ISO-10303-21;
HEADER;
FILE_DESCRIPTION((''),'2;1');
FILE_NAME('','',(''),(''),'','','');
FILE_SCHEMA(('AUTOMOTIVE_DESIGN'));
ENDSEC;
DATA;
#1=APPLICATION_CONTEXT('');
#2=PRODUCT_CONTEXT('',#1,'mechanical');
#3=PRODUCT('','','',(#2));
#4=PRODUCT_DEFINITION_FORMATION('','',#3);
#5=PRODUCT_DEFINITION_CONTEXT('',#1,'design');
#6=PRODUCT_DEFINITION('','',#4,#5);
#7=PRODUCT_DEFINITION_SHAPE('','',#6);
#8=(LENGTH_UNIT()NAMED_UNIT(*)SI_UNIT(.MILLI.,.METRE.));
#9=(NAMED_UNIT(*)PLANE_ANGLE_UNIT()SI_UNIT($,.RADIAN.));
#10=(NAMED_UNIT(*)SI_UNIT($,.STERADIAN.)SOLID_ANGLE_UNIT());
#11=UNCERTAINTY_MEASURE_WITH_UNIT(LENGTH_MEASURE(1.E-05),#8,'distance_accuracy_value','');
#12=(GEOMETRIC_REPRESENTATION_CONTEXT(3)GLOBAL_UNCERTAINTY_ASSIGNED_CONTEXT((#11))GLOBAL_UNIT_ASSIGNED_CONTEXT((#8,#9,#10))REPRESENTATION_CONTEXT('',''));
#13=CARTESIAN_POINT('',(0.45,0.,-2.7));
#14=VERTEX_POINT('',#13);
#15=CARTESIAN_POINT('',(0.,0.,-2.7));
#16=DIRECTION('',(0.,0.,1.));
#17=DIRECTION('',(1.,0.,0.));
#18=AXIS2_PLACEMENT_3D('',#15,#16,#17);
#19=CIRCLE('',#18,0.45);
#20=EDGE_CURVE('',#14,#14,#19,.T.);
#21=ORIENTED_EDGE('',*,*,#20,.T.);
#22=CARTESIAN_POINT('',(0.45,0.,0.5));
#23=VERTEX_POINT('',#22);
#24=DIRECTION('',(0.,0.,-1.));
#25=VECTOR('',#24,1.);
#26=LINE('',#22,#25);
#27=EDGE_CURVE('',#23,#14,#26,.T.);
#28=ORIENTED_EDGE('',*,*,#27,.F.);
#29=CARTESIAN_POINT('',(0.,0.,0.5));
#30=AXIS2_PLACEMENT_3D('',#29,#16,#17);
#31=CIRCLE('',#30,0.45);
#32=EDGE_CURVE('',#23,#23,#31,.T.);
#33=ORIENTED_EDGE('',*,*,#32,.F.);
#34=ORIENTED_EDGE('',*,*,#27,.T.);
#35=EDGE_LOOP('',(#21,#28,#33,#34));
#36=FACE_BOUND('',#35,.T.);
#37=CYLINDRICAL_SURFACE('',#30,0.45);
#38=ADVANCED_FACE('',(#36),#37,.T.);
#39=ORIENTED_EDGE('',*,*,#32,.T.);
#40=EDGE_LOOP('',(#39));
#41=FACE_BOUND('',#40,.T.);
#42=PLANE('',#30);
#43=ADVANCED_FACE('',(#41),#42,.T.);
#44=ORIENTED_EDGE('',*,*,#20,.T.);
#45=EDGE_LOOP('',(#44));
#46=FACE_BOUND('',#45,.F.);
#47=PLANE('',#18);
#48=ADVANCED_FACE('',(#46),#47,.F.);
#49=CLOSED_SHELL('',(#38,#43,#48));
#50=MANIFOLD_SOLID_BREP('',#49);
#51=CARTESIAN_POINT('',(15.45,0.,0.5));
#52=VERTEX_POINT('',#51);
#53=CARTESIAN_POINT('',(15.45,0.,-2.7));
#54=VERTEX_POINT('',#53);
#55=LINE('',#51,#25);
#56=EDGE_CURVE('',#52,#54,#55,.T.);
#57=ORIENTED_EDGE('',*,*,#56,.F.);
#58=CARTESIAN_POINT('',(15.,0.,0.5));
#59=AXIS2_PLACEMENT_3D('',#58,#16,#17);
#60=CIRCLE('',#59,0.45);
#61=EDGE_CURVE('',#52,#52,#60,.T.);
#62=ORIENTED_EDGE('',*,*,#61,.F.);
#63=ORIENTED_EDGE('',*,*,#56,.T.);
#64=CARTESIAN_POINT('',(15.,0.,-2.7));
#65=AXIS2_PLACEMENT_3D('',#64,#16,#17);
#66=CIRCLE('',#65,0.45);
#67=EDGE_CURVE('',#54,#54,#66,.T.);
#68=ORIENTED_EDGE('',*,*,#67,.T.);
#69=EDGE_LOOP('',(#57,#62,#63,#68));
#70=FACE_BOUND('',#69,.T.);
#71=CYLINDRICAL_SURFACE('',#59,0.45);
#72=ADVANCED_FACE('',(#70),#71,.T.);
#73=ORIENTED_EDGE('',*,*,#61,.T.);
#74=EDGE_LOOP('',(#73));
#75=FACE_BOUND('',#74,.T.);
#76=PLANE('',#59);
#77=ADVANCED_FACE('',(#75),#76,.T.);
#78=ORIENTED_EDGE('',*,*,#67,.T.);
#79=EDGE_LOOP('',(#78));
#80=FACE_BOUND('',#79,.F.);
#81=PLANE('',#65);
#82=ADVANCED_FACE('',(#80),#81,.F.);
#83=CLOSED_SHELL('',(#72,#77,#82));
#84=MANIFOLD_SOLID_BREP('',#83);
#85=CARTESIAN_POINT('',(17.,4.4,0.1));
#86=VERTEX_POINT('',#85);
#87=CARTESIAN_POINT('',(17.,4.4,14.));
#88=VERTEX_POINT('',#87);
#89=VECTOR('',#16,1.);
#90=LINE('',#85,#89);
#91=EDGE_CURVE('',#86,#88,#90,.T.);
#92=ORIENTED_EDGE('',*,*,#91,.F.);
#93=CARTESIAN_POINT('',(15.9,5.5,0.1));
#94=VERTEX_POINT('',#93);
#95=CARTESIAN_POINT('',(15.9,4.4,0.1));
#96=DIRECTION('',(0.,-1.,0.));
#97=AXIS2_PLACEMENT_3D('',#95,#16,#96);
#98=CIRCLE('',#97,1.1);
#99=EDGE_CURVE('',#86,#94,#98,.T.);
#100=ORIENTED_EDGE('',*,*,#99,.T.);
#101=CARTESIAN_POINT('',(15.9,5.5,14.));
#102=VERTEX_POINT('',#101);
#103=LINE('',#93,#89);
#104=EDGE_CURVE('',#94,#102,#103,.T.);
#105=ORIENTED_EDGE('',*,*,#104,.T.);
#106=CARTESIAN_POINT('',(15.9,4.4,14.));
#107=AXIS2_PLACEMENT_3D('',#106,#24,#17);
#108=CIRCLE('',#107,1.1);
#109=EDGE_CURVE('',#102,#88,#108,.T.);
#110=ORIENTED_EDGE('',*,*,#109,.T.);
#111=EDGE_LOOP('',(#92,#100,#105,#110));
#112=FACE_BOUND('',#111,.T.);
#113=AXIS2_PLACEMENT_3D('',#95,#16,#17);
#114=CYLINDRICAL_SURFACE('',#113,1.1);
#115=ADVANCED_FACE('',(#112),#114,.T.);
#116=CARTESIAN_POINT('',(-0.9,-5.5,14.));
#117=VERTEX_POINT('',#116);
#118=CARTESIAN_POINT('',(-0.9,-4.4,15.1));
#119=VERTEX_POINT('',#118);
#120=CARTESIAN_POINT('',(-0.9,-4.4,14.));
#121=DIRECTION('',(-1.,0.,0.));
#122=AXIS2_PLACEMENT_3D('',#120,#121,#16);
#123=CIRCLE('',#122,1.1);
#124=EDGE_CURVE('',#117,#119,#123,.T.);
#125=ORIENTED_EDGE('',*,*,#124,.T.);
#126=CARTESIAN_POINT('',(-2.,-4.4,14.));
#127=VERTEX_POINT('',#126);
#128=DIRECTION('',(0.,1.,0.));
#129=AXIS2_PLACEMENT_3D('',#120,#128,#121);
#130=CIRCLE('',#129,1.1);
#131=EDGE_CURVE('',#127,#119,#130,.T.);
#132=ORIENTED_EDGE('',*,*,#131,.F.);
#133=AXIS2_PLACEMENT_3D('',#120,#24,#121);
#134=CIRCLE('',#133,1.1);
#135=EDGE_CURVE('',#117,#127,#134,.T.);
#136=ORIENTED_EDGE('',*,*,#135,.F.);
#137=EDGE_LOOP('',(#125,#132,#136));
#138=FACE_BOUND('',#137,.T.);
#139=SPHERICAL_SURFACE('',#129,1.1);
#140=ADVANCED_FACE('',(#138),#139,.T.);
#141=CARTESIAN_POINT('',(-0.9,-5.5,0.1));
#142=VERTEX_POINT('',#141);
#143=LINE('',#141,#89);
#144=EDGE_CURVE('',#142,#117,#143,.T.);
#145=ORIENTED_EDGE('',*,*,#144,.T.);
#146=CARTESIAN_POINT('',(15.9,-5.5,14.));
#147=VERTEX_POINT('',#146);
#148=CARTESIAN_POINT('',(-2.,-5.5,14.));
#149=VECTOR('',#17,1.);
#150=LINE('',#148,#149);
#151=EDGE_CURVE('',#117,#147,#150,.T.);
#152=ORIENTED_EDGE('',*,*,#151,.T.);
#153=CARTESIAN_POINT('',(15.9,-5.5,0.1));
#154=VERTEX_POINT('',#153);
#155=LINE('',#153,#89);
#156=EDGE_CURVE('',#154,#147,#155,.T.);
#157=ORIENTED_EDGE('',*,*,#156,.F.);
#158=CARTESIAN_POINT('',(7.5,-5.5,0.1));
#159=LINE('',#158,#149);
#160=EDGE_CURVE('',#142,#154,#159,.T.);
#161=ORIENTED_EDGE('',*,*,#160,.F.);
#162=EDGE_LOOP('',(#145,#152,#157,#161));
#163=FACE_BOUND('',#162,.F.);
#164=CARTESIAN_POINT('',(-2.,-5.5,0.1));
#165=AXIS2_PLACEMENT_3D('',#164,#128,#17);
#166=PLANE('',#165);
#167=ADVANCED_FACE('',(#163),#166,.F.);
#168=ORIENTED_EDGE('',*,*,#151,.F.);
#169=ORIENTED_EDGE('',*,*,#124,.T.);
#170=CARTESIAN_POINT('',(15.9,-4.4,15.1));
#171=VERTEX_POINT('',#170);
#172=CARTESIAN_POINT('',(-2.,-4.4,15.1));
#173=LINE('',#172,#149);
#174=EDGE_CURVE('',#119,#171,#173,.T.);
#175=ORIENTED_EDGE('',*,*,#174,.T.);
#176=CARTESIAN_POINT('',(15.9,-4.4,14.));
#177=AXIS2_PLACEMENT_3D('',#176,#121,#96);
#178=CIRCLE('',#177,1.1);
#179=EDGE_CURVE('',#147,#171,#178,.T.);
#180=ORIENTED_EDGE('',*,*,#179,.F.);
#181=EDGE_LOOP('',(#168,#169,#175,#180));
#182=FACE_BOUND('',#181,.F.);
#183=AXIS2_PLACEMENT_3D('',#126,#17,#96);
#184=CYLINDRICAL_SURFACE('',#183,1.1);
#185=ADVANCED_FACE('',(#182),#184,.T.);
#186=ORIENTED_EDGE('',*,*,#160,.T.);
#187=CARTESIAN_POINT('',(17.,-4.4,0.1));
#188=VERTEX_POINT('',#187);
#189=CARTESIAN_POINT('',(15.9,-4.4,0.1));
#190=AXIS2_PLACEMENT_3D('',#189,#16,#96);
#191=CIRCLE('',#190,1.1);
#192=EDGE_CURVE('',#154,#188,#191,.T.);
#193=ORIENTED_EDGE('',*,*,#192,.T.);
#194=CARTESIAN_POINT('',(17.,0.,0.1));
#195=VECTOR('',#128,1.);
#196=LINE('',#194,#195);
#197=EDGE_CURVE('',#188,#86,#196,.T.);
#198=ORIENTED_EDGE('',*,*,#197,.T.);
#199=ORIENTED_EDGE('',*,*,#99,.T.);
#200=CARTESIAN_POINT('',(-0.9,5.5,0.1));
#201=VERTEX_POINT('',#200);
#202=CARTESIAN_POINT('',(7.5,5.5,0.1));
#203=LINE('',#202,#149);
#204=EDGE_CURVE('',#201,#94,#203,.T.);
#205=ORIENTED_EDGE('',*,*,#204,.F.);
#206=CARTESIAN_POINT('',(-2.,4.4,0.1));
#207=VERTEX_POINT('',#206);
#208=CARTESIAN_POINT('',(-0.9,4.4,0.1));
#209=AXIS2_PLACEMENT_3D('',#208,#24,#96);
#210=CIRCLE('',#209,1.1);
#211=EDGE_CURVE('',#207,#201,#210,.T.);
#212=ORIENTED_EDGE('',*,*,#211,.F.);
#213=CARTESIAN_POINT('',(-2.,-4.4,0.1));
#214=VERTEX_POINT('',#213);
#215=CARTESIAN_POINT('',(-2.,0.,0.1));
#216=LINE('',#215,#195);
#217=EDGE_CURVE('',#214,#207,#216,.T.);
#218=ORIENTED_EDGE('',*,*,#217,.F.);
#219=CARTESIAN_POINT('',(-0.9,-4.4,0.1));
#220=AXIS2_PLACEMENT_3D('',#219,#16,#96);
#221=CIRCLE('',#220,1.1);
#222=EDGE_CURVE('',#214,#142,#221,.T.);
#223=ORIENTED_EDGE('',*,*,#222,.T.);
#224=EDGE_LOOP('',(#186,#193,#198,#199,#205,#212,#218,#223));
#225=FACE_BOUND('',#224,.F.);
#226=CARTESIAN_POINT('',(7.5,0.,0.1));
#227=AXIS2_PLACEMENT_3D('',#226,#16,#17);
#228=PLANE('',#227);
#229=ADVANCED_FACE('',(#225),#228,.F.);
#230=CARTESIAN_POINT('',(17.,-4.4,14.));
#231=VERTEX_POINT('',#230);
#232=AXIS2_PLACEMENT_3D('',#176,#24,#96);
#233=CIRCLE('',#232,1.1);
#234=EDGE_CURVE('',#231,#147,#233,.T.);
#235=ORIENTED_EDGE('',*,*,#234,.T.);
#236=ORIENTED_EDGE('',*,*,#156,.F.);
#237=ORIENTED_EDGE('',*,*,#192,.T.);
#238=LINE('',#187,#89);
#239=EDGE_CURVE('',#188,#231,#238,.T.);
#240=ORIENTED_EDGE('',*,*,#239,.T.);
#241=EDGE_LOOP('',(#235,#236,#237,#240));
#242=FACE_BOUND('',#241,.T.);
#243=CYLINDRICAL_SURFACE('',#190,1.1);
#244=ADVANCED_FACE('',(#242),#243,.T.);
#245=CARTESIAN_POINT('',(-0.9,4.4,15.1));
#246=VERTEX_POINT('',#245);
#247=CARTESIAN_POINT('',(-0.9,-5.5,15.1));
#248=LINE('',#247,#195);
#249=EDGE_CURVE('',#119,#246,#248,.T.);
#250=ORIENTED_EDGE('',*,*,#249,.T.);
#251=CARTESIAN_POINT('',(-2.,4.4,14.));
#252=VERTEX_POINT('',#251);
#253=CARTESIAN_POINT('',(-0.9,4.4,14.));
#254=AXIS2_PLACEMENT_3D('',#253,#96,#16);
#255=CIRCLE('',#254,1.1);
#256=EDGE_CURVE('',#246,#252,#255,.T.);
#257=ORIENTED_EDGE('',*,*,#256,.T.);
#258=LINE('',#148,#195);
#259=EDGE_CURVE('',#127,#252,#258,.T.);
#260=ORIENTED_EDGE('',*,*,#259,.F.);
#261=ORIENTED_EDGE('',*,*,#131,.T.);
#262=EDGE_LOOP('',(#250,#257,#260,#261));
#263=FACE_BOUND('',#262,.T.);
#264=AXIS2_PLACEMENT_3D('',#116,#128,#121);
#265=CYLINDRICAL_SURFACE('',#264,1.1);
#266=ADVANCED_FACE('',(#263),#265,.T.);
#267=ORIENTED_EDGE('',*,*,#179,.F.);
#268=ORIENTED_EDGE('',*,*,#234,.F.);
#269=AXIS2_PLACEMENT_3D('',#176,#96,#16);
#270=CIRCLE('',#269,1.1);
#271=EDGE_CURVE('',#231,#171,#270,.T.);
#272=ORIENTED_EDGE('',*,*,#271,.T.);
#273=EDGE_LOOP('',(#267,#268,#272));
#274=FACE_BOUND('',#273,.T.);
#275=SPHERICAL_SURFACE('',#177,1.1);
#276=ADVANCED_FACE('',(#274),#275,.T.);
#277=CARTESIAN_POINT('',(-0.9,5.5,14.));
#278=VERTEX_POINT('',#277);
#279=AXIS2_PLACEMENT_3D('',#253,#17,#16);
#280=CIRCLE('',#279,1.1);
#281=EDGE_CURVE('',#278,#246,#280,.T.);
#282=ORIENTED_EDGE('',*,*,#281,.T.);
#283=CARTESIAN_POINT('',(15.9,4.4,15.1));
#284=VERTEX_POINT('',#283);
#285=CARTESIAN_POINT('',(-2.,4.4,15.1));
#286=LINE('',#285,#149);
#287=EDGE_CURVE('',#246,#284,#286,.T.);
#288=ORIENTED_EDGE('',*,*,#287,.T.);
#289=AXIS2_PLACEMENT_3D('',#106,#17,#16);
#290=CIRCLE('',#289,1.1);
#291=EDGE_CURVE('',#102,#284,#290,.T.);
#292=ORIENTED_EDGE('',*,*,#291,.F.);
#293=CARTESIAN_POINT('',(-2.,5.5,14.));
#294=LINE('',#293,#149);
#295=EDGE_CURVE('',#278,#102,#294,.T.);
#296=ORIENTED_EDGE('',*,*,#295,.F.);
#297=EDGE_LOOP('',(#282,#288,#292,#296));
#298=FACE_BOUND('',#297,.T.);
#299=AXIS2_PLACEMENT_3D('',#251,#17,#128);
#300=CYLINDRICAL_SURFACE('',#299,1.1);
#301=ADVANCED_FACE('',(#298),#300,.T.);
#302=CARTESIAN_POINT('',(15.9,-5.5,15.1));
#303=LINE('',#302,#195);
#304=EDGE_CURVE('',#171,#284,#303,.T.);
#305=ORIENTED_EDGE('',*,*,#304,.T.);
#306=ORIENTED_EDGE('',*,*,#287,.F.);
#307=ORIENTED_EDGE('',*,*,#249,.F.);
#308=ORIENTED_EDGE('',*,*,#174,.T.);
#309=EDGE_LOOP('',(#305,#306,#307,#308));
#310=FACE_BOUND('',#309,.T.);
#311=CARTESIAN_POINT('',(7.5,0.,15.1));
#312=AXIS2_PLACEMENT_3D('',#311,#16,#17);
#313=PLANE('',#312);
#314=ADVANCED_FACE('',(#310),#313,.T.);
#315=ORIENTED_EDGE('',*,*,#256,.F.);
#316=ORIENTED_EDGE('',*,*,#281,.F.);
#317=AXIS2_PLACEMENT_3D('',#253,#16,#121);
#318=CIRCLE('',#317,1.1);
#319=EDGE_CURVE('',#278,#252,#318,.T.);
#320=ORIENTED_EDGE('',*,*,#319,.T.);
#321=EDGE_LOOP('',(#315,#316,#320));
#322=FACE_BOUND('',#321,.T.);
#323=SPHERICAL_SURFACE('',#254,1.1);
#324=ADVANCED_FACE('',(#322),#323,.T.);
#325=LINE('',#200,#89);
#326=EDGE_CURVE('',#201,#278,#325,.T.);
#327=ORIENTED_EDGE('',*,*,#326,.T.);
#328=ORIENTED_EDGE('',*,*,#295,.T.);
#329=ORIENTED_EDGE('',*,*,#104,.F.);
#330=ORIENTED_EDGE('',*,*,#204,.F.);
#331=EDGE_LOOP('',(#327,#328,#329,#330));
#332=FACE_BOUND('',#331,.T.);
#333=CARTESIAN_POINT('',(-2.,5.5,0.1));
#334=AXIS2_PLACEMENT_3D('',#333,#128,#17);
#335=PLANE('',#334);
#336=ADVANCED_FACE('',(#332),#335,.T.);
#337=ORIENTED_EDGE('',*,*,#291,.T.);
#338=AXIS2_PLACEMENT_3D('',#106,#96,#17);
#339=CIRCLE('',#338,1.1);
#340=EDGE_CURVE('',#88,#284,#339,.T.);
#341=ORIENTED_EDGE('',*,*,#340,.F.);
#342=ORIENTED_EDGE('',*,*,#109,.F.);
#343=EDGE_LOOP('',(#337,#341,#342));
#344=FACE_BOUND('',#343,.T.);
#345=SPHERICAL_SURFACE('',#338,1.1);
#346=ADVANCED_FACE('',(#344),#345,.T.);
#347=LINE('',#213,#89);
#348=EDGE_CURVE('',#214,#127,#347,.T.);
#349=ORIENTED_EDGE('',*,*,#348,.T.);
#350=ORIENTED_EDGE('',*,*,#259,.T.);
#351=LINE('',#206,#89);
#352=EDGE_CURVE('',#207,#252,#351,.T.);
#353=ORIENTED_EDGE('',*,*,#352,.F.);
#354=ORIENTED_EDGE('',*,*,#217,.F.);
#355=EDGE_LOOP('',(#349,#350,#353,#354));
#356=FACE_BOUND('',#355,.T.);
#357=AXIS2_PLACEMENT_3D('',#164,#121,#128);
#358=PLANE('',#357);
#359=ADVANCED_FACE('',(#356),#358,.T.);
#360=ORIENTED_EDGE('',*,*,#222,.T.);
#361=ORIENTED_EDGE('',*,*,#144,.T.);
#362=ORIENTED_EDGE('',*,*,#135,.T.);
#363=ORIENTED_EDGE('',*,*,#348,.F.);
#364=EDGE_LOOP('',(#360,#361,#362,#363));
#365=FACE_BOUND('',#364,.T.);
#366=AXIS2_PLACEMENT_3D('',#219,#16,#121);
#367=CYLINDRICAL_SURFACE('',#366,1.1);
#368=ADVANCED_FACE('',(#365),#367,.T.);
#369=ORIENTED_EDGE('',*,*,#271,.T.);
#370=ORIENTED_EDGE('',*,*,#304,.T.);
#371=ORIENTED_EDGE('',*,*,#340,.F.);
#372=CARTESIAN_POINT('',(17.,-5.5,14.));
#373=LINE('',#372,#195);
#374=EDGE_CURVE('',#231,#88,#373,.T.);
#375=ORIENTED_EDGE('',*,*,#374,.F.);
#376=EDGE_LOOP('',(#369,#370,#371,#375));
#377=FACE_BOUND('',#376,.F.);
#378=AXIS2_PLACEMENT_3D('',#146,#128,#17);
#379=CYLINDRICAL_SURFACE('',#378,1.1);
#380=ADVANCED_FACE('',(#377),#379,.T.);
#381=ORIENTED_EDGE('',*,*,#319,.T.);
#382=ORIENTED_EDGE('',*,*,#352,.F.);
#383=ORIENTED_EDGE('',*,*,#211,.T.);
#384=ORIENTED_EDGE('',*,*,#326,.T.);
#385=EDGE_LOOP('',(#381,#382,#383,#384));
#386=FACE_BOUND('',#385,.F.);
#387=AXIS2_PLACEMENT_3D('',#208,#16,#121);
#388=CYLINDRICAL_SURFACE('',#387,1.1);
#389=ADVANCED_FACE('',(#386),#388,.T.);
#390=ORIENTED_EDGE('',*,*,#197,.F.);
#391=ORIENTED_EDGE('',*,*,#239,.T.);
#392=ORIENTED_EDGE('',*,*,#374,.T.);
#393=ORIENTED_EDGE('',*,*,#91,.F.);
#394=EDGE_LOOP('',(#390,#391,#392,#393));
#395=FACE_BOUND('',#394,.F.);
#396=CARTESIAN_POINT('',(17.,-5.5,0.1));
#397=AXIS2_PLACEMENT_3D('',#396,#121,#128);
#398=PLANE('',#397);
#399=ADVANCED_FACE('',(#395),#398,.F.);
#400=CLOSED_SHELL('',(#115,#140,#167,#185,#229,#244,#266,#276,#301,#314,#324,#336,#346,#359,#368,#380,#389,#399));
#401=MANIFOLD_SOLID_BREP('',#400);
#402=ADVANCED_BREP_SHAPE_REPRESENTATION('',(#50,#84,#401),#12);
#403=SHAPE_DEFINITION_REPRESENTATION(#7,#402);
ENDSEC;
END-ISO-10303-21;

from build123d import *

# Parameters (mm, degrees)
SKETCH_W     = 19
SKETCH_H     = 11
PAD_DEPTH    = 15
FILLET_R     = 1.1
SKETCH001_R  = 0.45
PAD001_DEPTH = 3.2


with BuildPart() as fillet_body:
    # Sketch → Pad (new body)
    with BuildSketch(Plane.XY.offset(0.1)):
        with Locations((7.5, 0)):
            Rectangle(SKETCH_W, SKETCH_H)
    extrude(amount=PAD_DEPTH)

    # Fillet
    fillet_edges = [fillet_body.edges().sort_by_distance(p)[0] for p in [
        (-2, 0, 15.1),
        (-2, -5.5, 7.6),
        (7.5, -5.5, 15.1),
        (17, -5.5, 7.6),
        (17, 0, 15.1),
        (17, 5.5, 7.6),
        (7.5, 5.5, 15.1),
        (-2, 5.5, 7.6),
    ]]
    fillet(fillet_edges, radius=FILLET_R)


with BuildPart() as pad001:
    # Sketch001 → Pad001 (new body)
    with BuildSketch(Plane.XY.offset(0.5)):
        Circle(SKETCH001_R)
        with Locations((15, 0)):
            Circle(SKETCH001_R)
    extrude(amount=-PAD001_DEPTH)


solid = Compound([fillet_body.part, pad001.part])
